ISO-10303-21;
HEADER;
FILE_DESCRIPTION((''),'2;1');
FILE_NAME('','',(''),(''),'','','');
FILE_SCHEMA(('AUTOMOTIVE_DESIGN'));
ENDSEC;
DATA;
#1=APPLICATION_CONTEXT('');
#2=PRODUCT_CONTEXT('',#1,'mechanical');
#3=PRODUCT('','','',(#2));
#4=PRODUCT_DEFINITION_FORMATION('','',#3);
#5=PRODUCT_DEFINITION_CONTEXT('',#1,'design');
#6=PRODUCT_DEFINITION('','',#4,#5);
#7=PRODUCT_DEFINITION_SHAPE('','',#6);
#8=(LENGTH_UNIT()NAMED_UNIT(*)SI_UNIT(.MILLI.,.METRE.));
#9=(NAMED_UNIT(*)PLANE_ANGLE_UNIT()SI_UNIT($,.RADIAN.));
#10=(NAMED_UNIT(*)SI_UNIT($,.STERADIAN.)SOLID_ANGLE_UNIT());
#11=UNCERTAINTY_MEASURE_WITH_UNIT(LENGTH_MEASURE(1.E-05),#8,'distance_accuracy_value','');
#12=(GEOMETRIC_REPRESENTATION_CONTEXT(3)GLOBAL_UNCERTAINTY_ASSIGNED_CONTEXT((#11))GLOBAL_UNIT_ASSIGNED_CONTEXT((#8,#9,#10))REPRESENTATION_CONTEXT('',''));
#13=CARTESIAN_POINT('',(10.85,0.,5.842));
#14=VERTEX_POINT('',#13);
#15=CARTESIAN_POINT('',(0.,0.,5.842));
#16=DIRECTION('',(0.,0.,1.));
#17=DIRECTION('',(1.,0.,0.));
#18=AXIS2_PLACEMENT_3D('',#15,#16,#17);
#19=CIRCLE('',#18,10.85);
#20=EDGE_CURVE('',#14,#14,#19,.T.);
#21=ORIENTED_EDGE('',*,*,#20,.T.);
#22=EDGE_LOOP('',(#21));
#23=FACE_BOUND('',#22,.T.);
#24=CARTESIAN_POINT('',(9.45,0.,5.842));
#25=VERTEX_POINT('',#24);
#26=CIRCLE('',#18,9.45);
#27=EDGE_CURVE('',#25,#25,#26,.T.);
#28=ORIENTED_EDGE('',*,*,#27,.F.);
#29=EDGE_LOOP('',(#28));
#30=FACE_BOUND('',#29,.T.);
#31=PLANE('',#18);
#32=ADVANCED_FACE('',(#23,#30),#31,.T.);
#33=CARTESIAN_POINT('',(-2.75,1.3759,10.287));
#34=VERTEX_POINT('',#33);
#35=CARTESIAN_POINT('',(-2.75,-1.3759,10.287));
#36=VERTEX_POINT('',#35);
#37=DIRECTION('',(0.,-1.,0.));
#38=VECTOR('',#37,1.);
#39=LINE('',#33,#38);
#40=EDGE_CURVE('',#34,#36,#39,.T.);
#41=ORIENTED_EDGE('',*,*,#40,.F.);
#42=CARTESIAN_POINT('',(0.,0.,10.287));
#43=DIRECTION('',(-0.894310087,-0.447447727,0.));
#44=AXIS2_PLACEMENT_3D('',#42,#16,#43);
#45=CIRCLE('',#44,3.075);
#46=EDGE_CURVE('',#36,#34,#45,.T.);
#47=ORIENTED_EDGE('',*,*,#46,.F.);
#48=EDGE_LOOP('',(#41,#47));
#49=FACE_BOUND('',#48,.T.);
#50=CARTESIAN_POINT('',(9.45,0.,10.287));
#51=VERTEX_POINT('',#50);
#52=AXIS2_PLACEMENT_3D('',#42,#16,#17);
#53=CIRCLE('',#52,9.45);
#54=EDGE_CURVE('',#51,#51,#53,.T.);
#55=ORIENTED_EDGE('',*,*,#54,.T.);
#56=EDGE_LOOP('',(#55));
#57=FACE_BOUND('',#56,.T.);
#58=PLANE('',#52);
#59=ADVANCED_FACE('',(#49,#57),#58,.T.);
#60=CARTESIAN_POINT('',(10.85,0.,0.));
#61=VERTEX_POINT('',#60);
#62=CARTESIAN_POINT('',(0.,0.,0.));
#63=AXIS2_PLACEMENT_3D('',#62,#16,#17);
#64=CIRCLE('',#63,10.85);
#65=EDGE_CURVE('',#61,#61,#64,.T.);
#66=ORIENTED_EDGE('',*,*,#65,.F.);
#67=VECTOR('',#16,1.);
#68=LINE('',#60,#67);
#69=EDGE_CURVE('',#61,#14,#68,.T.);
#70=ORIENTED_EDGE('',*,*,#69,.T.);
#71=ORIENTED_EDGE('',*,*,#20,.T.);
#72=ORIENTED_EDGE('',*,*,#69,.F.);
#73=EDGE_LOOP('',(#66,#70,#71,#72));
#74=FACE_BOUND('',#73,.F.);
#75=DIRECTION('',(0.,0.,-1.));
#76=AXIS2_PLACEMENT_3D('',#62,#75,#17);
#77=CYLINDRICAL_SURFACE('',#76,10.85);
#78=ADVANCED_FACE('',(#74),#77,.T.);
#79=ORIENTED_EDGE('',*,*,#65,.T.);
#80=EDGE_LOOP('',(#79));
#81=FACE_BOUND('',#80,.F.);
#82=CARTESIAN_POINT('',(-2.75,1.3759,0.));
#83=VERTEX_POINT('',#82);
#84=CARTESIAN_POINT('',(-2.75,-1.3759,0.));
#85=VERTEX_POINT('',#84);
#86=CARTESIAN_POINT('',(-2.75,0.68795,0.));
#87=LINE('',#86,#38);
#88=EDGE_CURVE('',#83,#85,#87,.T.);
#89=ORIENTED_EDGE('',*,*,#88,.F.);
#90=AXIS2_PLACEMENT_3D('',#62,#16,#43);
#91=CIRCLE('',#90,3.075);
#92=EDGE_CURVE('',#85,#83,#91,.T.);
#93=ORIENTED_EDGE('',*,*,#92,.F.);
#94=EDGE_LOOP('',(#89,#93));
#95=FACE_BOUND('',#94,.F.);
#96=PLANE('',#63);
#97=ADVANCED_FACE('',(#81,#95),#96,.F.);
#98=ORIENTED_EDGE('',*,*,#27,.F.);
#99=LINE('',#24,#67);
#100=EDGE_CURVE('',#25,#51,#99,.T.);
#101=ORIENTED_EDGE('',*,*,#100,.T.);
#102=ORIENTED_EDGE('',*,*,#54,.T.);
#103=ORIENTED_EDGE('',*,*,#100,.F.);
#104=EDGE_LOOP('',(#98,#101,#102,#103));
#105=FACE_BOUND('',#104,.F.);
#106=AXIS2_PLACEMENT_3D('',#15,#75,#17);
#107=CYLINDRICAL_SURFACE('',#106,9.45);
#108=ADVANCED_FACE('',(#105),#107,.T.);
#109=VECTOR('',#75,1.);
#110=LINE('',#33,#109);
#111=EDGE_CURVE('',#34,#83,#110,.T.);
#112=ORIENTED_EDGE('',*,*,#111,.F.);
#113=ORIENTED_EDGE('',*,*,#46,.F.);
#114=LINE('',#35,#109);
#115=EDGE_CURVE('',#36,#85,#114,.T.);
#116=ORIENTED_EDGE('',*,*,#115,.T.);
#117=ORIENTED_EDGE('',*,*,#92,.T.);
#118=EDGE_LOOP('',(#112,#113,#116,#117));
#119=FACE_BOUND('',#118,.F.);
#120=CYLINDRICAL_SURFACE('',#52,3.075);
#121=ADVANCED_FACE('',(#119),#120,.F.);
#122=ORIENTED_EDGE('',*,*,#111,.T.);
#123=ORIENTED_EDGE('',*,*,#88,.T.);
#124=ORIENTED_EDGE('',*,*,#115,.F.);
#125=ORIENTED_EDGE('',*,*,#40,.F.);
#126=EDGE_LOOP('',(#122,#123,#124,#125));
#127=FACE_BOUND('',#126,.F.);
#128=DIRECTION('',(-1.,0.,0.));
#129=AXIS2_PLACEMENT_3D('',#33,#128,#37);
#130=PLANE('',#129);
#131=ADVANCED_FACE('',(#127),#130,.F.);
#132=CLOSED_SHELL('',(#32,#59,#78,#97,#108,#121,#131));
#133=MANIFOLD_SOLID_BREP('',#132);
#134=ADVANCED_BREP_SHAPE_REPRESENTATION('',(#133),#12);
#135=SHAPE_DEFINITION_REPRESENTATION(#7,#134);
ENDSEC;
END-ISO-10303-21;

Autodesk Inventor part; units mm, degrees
ref_plane "YZ Plane" through (0, 0, 0) normal (1, 0, 0) x (0, 1, 0)
ref_plane "XZ Plane" through (0, 0, 0) normal (0, 1, 0) x (-1, 0, 0)
ref_plane "XY Plane" through (0, 0, 0) normal (0, 0, 1) x (1, 0, 0)
sketch "Sketch1" plane through (0, 0, 0) normal (0, 0, 1) x (1, 0, 0)
  circle A0 centre (0, 0) radius 10.85
  dimension "d0" = 21.7
extrude "Extrusion1" add sketch "Sketch1" along normal blind 5.842
sketch "Sketch2" plane through (0, 0, 5.842) normal (0, 0, 1) x (1, 0, 0)
  circle A0 centre (0, 0) radius 9.45
  dimension "d3" = 18.9
extrude "Extrusion2" add sketch "Sketch2" along normal blind 4.445
sketch "Sketch3" plane through (0, 0, 10.287) normal (0, 0, 1) x (1, 0, 0)
  circle A0 centre (0, 0) radius 3.075
  circle A1 centre (0, 0) radius 10.85 construction
  line L0 (-10.85, 0) -> (10.85, 0) construction
  circle A2 centre (0, 0) radius 9.45 construction
  line L1 (0, 9.45) -> (0, -9.45) construction
  line L2 (-2.75, 1.3759) -> (-2.75, -1.3759)
  dimension "d13" = 6.15
  dimension "d16" = 2.75
extrude "Extrusion3" cut sketch "Sketch3" against normal through all contours A0 L2 picked at (-0.8083, 0)
properties part number "wheel_mount"
